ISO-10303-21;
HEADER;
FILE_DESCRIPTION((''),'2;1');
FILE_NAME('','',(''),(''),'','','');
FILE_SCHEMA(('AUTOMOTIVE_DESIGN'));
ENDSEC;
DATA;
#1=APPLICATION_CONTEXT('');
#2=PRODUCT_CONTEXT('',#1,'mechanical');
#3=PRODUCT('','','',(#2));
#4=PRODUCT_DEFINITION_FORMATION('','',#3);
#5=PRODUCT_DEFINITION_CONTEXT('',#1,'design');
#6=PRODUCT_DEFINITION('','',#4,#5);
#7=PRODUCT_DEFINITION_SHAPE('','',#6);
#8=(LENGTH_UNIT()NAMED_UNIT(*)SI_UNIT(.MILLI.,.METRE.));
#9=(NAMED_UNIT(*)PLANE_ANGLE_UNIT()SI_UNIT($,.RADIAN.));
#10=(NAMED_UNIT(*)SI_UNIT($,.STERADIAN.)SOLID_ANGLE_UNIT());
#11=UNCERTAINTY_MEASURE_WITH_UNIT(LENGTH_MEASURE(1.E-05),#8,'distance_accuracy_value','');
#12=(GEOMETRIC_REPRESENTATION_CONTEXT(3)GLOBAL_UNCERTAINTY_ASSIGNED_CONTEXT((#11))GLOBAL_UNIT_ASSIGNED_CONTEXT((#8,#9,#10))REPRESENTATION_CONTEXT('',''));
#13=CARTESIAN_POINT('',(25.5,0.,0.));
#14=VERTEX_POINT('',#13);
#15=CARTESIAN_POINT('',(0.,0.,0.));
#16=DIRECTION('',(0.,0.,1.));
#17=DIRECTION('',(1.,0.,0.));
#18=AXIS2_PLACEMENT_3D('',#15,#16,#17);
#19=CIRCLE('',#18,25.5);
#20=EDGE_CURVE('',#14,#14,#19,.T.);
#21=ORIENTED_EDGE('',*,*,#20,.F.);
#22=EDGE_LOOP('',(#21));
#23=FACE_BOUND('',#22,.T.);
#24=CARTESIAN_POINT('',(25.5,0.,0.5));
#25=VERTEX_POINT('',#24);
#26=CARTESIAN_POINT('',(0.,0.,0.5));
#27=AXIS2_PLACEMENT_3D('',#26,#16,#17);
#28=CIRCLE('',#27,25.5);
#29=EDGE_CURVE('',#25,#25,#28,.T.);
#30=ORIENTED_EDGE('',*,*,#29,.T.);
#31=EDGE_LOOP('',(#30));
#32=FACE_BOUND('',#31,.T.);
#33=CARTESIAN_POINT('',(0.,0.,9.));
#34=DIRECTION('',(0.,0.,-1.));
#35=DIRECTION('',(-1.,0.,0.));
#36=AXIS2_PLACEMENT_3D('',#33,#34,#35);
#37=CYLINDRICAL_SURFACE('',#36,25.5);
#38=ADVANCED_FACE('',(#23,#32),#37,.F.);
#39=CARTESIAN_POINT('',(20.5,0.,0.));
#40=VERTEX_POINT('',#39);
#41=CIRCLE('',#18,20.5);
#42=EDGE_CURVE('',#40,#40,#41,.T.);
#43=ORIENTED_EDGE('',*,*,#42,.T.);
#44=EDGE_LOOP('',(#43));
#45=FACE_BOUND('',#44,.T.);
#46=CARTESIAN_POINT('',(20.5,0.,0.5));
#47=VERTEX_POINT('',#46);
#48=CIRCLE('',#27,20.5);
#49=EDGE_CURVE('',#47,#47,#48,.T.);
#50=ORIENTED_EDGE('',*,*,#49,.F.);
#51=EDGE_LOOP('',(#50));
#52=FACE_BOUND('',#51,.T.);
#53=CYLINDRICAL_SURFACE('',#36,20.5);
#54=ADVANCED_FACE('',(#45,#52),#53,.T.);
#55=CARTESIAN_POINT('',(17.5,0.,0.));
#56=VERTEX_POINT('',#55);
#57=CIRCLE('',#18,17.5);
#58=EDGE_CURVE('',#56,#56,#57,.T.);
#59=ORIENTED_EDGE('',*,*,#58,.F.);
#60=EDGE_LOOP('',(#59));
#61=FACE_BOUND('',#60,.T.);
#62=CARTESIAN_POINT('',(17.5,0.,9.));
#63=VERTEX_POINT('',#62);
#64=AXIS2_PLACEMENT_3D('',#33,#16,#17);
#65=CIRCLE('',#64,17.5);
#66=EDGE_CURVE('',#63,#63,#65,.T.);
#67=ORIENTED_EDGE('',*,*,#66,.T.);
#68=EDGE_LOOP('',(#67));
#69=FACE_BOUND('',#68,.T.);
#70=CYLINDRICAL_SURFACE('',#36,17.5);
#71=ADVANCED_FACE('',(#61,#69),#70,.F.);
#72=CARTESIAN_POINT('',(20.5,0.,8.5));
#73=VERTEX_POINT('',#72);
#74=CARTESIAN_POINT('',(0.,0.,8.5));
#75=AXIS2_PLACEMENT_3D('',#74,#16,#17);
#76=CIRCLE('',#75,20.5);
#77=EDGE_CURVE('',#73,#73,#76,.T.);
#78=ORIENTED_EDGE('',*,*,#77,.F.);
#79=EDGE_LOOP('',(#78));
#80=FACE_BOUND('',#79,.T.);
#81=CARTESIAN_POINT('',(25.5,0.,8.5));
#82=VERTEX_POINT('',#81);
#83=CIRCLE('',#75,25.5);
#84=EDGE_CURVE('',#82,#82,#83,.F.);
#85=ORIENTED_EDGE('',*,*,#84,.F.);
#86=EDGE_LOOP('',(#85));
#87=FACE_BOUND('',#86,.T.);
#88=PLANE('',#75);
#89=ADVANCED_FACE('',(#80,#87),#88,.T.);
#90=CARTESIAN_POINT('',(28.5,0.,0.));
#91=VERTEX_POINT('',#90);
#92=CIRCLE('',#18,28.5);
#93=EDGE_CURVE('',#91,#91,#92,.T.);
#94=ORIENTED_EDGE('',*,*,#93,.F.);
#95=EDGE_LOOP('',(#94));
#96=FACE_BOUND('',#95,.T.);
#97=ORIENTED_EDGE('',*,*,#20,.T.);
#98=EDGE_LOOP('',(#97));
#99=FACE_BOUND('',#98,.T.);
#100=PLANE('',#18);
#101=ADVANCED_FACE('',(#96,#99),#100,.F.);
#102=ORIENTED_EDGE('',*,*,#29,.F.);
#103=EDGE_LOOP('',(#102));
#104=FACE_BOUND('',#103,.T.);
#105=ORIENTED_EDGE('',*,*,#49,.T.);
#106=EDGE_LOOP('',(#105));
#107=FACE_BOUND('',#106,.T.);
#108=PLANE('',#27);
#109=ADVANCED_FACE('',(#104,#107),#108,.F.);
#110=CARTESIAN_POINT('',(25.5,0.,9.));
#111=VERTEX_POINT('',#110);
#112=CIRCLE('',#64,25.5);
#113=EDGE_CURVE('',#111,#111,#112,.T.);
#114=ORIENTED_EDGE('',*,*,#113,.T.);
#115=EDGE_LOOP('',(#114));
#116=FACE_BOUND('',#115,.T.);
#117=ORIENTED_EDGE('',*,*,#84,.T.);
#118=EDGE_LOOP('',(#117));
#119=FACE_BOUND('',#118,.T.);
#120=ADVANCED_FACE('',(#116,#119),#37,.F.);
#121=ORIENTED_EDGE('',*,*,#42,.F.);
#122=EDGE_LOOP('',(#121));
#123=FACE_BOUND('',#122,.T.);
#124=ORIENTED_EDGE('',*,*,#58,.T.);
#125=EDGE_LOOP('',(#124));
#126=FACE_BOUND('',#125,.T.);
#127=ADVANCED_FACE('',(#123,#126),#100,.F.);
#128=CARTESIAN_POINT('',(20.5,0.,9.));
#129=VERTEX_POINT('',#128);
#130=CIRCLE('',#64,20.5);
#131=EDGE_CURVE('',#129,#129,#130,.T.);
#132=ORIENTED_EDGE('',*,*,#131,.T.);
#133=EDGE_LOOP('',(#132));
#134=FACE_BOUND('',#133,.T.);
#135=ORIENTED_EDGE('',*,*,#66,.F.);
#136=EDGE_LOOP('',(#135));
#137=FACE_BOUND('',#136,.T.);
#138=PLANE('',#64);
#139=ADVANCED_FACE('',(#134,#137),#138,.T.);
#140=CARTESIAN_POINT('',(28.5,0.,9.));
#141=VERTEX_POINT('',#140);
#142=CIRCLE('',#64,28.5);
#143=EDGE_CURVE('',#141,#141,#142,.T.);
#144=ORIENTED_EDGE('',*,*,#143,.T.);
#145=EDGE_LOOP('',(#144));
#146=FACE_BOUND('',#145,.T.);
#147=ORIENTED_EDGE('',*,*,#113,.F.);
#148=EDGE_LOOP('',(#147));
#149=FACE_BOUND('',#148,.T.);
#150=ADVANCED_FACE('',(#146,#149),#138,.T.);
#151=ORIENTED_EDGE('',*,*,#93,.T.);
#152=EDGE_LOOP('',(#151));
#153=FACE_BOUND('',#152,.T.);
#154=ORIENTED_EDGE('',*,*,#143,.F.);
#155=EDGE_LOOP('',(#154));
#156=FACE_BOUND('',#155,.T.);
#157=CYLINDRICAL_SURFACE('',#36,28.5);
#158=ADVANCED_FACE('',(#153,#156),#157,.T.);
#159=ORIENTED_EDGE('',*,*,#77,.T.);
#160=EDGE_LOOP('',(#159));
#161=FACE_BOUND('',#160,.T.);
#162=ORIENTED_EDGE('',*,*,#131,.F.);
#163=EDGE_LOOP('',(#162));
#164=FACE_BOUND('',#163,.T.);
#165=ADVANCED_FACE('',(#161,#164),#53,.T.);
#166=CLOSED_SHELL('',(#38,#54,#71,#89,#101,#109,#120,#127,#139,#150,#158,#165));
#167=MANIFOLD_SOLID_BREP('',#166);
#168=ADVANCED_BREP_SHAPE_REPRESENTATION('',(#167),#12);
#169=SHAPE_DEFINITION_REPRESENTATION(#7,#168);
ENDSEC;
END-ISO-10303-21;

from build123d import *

# Parameters (mm, degrees)
SKETCH1_R             = 28.5
SKETCH1_R_2           = 25.5
BOSS_EXTRUDE1_DEPTH   = 9
SKETCH1_R_3           = 20.5
SKETCH1_R_4           = 17.5
BOSS_EXTRUDE1_2_DEPTH = 9
BOSS_EXTRUDE2_START   = 0.5
SKETCH1_3_R           = 25.5
SKETCH1_3_R_2         = 20.5
BOSS_EXTRUDE2_DEPTH   = 8


with BuildPart() as part:
    # Sketch1 → Boss-Extrude1 (new body)
    with BuildSketch(Plane(origin=(0, 0, 0), x_dir=(0, 1, 0), z_dir=(0, 0, 1))):
        Circle(SKETCH1_R)
        Circle(SKETCH1_R_2, mode=Mode.SUBTRACT)
    extrude(amount=BOSS_EXTRUDE1_DEPTH)



with BuildPart() as body_2:
    # Sketch1 → Boss-Extrude1 2 (new body)
    with BuildSketch(Plane(origin=(0, 0, 0), x_dir=(0, 1, 0), z_dir=(0, 0, 1))):
        Circle(SKETCH1_R_3)
        Circle(SKETCH1_R_4, mode=Mode.SUBTRACT)
    extrude(amount=BOSS_EXTRUDE1_2_DEPTH)


with BuildPart() as part_1:
    add(part.part)

    add(body_2.part)  # Boss-Extrude2 merges body 2
    # Sketch1<3> → Boss-Extrude2 (add)
    with BuildSketch(Plane(origin=(0, 0, 0), x_dir=(0, 1, 0), z_dir=(0, 0, 1)).offset(BOSS_EXTRUDE2_START)):
        Circle(SKETCH1_3_R)
        Circle(SKETCH1_3_R_2, mode=Mode.SUBTRACT)
    extrude(amount=BOSS_EXTRUDE2_DEPTH)


solid = part_1.part
